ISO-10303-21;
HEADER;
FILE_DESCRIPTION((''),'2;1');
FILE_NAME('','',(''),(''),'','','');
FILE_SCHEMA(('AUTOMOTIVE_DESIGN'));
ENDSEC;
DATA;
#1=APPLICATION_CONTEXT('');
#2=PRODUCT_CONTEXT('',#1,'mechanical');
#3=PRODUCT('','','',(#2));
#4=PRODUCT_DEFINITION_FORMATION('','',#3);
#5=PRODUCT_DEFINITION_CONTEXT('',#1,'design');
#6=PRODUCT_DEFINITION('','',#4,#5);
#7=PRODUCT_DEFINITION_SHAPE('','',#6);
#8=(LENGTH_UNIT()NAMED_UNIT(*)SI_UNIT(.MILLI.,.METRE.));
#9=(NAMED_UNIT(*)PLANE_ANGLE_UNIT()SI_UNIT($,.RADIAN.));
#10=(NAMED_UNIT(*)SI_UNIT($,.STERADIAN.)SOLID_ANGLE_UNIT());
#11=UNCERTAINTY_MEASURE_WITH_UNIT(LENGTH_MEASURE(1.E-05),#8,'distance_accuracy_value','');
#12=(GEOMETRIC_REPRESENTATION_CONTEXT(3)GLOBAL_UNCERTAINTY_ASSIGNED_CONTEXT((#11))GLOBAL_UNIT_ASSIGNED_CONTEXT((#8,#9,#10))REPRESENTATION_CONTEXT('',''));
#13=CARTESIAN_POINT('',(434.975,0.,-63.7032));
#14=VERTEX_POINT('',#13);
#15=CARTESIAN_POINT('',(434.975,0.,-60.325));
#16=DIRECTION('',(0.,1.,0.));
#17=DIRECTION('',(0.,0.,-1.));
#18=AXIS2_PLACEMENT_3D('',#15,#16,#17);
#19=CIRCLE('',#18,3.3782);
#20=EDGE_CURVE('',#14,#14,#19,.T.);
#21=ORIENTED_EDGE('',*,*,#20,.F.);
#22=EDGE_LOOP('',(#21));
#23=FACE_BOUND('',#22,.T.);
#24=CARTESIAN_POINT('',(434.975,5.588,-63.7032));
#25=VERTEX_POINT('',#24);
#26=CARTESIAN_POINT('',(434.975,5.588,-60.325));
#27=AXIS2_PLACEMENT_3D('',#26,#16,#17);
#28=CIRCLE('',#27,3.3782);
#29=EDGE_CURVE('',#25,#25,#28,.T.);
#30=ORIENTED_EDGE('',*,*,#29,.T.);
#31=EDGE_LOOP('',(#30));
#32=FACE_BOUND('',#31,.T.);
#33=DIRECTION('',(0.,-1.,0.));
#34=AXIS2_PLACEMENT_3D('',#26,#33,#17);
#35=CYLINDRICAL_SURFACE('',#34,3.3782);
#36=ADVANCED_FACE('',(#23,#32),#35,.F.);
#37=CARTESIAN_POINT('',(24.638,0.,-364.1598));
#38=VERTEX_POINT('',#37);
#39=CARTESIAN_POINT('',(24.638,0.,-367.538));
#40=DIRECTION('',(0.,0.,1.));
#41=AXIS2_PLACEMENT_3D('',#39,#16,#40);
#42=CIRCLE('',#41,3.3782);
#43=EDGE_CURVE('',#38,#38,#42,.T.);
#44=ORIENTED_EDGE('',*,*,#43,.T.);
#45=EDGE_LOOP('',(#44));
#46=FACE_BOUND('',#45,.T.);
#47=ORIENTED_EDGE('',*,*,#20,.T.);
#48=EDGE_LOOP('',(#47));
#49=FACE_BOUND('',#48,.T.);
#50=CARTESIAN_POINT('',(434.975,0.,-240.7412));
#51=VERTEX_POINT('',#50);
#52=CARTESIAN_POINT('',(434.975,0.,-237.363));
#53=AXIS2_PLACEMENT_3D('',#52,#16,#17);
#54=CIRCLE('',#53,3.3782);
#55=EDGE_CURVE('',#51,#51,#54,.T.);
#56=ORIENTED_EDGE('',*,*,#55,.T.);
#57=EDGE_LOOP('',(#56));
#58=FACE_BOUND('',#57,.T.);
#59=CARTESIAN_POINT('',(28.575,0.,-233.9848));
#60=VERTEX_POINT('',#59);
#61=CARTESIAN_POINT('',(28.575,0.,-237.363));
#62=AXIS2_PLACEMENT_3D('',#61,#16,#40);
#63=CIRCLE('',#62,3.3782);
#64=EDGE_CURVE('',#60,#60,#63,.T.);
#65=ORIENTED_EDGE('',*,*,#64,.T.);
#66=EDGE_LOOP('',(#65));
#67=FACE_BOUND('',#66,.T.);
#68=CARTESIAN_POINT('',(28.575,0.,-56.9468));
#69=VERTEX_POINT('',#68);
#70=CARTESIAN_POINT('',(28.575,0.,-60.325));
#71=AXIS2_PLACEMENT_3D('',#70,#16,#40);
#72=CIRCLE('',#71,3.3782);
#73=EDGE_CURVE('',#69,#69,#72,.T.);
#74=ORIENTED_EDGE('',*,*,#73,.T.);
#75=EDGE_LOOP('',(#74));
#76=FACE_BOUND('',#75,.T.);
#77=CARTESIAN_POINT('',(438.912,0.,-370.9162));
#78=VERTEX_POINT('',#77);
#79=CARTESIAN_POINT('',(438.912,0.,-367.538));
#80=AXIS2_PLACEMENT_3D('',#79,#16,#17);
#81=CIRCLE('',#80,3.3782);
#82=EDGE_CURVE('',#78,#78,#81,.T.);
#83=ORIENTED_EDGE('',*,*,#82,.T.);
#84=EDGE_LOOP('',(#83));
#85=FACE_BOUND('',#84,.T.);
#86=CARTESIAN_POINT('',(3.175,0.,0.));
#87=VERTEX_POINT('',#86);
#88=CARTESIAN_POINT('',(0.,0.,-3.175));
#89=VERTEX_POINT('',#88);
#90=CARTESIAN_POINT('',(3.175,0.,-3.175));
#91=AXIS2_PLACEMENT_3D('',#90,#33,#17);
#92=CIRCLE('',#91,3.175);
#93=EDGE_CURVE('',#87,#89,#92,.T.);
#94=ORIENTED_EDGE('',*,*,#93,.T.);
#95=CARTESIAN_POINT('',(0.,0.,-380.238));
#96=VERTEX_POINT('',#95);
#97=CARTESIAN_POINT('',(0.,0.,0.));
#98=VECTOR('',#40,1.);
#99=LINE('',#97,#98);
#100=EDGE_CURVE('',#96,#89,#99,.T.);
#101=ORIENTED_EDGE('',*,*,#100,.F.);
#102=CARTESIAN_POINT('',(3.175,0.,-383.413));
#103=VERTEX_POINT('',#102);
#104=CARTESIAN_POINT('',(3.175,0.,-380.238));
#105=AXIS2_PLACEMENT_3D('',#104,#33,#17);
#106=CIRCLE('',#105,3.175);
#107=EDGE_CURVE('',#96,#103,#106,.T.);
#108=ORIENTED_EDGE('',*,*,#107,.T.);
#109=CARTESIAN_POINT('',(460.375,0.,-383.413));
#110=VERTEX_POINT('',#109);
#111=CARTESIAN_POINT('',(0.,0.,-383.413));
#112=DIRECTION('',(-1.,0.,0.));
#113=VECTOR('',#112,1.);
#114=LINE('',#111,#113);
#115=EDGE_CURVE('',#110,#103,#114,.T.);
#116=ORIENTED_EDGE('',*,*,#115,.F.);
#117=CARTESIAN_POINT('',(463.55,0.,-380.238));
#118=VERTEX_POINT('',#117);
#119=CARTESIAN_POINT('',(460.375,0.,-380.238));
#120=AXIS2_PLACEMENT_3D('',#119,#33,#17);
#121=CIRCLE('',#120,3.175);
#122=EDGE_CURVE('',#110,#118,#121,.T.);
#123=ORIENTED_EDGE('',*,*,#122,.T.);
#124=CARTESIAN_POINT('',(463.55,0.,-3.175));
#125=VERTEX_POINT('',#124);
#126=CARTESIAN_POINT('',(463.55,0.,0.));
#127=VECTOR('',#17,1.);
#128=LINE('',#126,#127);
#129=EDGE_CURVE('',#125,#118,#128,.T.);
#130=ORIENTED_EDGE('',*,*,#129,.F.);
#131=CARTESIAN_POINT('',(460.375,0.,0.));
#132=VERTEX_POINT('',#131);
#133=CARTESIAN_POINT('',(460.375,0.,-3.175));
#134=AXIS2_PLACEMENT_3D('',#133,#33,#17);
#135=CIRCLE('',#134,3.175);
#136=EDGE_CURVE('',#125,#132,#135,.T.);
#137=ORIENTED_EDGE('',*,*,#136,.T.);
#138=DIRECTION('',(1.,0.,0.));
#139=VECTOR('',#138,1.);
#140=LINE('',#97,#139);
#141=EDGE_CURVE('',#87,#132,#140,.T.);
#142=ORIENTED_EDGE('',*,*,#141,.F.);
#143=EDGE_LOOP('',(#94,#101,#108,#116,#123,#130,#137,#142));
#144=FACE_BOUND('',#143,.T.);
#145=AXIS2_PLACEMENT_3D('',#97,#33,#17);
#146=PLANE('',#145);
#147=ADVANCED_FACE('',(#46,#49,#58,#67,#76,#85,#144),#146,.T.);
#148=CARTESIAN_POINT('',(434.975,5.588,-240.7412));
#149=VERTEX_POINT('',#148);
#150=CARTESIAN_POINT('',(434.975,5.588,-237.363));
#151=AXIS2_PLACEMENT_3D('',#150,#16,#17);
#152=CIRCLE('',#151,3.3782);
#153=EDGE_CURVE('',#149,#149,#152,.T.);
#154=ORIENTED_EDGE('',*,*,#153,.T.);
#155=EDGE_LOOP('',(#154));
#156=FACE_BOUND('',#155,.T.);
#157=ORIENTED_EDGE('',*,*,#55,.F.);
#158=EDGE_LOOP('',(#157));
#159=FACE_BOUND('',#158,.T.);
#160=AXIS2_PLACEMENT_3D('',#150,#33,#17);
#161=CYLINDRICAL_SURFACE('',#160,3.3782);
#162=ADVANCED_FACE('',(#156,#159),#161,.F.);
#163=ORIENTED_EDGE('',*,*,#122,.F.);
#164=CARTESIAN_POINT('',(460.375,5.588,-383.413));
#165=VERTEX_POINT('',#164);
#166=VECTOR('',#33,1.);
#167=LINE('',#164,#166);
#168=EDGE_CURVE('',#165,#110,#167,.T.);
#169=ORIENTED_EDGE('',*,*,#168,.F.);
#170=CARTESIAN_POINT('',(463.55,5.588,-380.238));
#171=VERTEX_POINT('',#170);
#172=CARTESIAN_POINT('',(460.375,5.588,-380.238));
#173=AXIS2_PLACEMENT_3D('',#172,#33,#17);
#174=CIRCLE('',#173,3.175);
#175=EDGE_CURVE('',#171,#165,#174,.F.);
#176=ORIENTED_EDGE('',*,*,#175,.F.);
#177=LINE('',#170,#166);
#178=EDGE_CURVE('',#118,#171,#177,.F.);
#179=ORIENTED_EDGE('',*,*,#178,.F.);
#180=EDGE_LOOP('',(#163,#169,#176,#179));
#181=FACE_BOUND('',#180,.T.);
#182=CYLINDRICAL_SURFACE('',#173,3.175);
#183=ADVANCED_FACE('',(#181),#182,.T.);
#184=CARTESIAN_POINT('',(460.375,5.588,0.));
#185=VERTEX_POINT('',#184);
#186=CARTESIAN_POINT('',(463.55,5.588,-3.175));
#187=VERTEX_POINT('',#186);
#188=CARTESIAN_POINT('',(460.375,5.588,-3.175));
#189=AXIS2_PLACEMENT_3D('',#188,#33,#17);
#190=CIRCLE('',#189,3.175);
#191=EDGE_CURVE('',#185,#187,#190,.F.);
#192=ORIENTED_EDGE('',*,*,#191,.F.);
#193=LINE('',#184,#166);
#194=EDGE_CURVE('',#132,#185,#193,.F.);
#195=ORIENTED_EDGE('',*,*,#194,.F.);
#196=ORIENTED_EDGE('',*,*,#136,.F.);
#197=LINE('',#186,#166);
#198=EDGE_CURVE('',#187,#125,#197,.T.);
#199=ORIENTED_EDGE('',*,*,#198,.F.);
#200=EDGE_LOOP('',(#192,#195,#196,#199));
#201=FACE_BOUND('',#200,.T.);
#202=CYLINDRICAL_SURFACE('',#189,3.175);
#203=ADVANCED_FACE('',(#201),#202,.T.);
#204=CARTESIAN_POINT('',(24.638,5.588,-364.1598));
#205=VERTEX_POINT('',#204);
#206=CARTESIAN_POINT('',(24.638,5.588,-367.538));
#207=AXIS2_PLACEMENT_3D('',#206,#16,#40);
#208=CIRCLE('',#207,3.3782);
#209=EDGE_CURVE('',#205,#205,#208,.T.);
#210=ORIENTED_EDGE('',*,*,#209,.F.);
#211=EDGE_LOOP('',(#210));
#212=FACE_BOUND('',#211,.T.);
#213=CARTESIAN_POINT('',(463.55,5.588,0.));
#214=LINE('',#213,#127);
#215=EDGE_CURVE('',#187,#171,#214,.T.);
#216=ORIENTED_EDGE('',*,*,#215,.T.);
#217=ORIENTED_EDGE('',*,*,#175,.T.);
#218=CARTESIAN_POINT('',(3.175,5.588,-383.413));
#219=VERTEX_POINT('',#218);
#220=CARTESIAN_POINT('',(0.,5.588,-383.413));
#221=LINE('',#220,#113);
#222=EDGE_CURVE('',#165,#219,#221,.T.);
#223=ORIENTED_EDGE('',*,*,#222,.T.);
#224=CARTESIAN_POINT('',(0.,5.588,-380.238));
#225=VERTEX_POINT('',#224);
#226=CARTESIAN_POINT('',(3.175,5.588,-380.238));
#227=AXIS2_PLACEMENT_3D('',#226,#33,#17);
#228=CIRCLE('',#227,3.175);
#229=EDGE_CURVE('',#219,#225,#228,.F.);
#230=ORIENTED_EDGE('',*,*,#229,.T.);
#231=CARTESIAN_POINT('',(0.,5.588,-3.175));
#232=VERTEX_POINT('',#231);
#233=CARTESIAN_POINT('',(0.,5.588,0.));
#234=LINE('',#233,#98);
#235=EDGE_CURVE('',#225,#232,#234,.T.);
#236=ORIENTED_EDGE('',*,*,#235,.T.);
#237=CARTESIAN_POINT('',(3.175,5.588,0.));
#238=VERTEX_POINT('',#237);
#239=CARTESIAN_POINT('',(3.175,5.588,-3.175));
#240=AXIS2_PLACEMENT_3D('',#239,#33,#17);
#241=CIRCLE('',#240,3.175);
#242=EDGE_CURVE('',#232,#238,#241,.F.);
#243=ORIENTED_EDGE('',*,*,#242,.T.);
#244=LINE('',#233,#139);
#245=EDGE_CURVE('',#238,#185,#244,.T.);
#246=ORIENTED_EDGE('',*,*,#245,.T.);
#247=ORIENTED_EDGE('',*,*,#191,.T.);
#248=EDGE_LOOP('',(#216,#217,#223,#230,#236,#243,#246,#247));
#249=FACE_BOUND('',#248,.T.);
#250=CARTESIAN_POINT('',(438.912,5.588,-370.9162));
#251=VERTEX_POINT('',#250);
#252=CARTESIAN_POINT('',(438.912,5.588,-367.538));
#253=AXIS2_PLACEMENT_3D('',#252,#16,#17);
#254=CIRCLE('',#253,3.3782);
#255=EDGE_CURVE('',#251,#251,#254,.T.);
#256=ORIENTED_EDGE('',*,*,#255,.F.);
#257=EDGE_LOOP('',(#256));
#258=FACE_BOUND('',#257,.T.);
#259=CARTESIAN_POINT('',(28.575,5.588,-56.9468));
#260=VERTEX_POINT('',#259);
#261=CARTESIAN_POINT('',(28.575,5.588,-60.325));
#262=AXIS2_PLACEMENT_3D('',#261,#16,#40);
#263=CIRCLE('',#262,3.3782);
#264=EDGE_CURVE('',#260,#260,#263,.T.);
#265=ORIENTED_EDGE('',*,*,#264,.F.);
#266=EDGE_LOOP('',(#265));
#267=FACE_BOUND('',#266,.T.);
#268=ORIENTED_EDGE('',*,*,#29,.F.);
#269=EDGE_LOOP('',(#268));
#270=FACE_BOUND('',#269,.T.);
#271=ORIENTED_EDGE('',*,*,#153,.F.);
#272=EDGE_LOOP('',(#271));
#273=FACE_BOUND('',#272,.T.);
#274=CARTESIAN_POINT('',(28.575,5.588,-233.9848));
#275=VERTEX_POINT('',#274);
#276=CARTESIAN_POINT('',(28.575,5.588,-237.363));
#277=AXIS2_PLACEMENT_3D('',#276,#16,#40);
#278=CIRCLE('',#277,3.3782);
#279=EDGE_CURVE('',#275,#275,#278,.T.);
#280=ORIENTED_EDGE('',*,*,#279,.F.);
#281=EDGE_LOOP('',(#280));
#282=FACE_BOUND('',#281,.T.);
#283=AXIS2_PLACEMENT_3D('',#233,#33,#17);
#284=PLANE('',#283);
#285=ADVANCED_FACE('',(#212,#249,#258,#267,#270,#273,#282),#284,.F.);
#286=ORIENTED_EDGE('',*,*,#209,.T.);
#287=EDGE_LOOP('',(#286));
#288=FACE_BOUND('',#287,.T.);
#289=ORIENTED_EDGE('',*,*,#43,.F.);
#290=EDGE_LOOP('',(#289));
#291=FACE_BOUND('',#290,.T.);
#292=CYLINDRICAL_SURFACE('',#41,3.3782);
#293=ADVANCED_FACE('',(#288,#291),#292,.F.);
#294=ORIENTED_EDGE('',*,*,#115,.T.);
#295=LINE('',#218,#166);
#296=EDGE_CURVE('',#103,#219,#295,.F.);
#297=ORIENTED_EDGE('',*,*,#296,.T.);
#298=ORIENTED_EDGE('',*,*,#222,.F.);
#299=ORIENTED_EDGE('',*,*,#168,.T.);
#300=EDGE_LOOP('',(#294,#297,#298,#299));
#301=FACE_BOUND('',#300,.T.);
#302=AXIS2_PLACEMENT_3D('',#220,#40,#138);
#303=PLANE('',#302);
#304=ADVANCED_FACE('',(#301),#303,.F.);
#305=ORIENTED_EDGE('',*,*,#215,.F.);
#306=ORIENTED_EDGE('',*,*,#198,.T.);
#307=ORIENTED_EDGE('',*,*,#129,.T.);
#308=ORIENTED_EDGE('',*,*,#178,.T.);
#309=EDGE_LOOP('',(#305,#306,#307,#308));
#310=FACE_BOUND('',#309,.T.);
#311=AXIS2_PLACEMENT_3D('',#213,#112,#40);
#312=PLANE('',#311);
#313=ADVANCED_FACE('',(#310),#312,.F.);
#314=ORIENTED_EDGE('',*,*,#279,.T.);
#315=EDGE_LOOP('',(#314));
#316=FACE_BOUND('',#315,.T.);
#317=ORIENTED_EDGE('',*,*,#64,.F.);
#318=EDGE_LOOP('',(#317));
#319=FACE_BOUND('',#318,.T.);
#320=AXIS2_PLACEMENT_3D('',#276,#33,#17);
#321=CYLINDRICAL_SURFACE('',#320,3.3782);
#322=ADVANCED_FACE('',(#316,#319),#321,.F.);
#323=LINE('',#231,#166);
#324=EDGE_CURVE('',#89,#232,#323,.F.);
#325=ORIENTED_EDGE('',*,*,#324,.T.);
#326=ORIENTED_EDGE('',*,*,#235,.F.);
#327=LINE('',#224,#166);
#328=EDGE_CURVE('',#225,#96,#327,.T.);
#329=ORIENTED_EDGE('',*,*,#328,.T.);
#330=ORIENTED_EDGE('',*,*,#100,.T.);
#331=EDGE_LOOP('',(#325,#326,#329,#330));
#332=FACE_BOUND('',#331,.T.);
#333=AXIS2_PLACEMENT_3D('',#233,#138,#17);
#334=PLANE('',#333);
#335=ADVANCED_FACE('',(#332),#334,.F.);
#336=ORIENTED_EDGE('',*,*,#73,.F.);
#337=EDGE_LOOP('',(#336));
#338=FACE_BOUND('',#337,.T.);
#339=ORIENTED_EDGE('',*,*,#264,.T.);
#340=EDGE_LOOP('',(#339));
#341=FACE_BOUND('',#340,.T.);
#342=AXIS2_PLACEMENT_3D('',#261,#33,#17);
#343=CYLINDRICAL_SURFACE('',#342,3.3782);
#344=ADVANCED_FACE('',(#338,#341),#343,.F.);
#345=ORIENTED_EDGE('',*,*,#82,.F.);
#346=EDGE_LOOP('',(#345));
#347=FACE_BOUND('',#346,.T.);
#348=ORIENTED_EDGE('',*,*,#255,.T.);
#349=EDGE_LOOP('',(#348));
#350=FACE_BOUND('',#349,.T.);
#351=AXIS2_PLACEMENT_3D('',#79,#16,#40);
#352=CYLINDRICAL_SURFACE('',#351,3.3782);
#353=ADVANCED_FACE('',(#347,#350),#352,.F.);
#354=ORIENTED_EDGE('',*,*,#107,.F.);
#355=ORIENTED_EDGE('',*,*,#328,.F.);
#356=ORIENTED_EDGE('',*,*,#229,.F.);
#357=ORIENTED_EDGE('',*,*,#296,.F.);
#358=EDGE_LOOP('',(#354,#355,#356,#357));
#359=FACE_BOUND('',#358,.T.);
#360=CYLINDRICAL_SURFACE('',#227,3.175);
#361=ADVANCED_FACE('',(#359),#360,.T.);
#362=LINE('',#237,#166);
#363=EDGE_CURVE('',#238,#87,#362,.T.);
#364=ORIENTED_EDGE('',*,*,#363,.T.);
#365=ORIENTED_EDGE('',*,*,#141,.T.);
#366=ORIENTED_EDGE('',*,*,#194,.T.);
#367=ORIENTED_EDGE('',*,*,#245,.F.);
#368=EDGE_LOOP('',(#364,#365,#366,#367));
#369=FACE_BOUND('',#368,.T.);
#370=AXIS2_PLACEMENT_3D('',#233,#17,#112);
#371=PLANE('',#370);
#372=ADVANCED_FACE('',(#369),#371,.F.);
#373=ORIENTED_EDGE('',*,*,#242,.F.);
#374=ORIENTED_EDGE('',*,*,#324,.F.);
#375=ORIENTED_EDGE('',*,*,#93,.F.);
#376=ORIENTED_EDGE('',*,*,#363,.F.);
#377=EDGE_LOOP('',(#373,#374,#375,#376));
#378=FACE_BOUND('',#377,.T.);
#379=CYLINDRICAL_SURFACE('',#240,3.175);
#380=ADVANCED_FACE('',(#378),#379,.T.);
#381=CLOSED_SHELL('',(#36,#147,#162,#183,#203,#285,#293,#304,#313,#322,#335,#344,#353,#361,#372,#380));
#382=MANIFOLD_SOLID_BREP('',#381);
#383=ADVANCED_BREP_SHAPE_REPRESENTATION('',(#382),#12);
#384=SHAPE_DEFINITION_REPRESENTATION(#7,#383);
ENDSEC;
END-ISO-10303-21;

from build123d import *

# Parameters (mm, degrees)
SKETCH1_W           = 463.55
SKETCH1_H           = 383.413
SKETCH1_R           = 3.3782
BOSS_EXTRUDE1_DEPTH = 5.588
FILLET1_R           = 3.175
SKETCH2_R           = 3.3782
CUT_EXTRUDE1_DEPTH  = 602.594013279


with BuildPart() as part:
    # Sketch1 → Boss-Extrude1 (new body)
    with BuildSketch(Plane(origin=(0, 0, 0), x_dir=(1, 0, 0), z_dir=(0, 1, 0))):
        with Locations((231.775, 191.7065)):
            Rectangle(SKETCH1_W, SKETCH1_H)
        with Locations(Location((28.575, 60.325, 0), (0, 0, 270))):
            Circle(SKETCH1_R, mode=Mode.SUBTRACT)
        with Locations(Location((28.575, 237.363, 0), (0, 0, 270))):
            Circle(SKETCH1_R, mode=Mode.SUBTRACT)
        with Locations(Location((434.975, 237.363, 0), (0, 0, 90))):
            Circle(SKETCH1_R, mode=Mode.SUBTRACT)
        with Locations(Location((434.975, 60.325, 0), (0, 0, 90))):
            Circle(SKETCH1_R, mode=Mode.SUBTRACT)
    extrude(amount=BOSS_EXTRUDE1_DEPTH)

    # Fillet1
    fillet1_edges = [part.edges().sort_by_distance(p)[0] for p in [
        (0, 2.794, -383.413),
        (463.55, 2.794, -383.413),
        (463.55, 2.794, 0),
        (0, 2.794, 0),
    ]]
    fillet(fillet1_edges, radius=FILLET1_R)

    # Sketch2 → Cut-Extrude1 (cut, through all)
    with BuildSketch(Plane(origin=(0, 5.588, 0), x_dir=(1, 0, 0), z_dir=(0, 1, 0))):
        with Locations(Location((24.638, 367.538, 0), (0, 0, 270))):
            Circle(SKETCH2_R)
        with Locations(Location((438.912, 367.538, 0), (0, 0, 90))):
            Circle(SKETCH2_R)
    extrude(amount=-CUT_EXTRUDE1_DEPTH, mode=Mode.SUBTRACT)


solid = part.part
